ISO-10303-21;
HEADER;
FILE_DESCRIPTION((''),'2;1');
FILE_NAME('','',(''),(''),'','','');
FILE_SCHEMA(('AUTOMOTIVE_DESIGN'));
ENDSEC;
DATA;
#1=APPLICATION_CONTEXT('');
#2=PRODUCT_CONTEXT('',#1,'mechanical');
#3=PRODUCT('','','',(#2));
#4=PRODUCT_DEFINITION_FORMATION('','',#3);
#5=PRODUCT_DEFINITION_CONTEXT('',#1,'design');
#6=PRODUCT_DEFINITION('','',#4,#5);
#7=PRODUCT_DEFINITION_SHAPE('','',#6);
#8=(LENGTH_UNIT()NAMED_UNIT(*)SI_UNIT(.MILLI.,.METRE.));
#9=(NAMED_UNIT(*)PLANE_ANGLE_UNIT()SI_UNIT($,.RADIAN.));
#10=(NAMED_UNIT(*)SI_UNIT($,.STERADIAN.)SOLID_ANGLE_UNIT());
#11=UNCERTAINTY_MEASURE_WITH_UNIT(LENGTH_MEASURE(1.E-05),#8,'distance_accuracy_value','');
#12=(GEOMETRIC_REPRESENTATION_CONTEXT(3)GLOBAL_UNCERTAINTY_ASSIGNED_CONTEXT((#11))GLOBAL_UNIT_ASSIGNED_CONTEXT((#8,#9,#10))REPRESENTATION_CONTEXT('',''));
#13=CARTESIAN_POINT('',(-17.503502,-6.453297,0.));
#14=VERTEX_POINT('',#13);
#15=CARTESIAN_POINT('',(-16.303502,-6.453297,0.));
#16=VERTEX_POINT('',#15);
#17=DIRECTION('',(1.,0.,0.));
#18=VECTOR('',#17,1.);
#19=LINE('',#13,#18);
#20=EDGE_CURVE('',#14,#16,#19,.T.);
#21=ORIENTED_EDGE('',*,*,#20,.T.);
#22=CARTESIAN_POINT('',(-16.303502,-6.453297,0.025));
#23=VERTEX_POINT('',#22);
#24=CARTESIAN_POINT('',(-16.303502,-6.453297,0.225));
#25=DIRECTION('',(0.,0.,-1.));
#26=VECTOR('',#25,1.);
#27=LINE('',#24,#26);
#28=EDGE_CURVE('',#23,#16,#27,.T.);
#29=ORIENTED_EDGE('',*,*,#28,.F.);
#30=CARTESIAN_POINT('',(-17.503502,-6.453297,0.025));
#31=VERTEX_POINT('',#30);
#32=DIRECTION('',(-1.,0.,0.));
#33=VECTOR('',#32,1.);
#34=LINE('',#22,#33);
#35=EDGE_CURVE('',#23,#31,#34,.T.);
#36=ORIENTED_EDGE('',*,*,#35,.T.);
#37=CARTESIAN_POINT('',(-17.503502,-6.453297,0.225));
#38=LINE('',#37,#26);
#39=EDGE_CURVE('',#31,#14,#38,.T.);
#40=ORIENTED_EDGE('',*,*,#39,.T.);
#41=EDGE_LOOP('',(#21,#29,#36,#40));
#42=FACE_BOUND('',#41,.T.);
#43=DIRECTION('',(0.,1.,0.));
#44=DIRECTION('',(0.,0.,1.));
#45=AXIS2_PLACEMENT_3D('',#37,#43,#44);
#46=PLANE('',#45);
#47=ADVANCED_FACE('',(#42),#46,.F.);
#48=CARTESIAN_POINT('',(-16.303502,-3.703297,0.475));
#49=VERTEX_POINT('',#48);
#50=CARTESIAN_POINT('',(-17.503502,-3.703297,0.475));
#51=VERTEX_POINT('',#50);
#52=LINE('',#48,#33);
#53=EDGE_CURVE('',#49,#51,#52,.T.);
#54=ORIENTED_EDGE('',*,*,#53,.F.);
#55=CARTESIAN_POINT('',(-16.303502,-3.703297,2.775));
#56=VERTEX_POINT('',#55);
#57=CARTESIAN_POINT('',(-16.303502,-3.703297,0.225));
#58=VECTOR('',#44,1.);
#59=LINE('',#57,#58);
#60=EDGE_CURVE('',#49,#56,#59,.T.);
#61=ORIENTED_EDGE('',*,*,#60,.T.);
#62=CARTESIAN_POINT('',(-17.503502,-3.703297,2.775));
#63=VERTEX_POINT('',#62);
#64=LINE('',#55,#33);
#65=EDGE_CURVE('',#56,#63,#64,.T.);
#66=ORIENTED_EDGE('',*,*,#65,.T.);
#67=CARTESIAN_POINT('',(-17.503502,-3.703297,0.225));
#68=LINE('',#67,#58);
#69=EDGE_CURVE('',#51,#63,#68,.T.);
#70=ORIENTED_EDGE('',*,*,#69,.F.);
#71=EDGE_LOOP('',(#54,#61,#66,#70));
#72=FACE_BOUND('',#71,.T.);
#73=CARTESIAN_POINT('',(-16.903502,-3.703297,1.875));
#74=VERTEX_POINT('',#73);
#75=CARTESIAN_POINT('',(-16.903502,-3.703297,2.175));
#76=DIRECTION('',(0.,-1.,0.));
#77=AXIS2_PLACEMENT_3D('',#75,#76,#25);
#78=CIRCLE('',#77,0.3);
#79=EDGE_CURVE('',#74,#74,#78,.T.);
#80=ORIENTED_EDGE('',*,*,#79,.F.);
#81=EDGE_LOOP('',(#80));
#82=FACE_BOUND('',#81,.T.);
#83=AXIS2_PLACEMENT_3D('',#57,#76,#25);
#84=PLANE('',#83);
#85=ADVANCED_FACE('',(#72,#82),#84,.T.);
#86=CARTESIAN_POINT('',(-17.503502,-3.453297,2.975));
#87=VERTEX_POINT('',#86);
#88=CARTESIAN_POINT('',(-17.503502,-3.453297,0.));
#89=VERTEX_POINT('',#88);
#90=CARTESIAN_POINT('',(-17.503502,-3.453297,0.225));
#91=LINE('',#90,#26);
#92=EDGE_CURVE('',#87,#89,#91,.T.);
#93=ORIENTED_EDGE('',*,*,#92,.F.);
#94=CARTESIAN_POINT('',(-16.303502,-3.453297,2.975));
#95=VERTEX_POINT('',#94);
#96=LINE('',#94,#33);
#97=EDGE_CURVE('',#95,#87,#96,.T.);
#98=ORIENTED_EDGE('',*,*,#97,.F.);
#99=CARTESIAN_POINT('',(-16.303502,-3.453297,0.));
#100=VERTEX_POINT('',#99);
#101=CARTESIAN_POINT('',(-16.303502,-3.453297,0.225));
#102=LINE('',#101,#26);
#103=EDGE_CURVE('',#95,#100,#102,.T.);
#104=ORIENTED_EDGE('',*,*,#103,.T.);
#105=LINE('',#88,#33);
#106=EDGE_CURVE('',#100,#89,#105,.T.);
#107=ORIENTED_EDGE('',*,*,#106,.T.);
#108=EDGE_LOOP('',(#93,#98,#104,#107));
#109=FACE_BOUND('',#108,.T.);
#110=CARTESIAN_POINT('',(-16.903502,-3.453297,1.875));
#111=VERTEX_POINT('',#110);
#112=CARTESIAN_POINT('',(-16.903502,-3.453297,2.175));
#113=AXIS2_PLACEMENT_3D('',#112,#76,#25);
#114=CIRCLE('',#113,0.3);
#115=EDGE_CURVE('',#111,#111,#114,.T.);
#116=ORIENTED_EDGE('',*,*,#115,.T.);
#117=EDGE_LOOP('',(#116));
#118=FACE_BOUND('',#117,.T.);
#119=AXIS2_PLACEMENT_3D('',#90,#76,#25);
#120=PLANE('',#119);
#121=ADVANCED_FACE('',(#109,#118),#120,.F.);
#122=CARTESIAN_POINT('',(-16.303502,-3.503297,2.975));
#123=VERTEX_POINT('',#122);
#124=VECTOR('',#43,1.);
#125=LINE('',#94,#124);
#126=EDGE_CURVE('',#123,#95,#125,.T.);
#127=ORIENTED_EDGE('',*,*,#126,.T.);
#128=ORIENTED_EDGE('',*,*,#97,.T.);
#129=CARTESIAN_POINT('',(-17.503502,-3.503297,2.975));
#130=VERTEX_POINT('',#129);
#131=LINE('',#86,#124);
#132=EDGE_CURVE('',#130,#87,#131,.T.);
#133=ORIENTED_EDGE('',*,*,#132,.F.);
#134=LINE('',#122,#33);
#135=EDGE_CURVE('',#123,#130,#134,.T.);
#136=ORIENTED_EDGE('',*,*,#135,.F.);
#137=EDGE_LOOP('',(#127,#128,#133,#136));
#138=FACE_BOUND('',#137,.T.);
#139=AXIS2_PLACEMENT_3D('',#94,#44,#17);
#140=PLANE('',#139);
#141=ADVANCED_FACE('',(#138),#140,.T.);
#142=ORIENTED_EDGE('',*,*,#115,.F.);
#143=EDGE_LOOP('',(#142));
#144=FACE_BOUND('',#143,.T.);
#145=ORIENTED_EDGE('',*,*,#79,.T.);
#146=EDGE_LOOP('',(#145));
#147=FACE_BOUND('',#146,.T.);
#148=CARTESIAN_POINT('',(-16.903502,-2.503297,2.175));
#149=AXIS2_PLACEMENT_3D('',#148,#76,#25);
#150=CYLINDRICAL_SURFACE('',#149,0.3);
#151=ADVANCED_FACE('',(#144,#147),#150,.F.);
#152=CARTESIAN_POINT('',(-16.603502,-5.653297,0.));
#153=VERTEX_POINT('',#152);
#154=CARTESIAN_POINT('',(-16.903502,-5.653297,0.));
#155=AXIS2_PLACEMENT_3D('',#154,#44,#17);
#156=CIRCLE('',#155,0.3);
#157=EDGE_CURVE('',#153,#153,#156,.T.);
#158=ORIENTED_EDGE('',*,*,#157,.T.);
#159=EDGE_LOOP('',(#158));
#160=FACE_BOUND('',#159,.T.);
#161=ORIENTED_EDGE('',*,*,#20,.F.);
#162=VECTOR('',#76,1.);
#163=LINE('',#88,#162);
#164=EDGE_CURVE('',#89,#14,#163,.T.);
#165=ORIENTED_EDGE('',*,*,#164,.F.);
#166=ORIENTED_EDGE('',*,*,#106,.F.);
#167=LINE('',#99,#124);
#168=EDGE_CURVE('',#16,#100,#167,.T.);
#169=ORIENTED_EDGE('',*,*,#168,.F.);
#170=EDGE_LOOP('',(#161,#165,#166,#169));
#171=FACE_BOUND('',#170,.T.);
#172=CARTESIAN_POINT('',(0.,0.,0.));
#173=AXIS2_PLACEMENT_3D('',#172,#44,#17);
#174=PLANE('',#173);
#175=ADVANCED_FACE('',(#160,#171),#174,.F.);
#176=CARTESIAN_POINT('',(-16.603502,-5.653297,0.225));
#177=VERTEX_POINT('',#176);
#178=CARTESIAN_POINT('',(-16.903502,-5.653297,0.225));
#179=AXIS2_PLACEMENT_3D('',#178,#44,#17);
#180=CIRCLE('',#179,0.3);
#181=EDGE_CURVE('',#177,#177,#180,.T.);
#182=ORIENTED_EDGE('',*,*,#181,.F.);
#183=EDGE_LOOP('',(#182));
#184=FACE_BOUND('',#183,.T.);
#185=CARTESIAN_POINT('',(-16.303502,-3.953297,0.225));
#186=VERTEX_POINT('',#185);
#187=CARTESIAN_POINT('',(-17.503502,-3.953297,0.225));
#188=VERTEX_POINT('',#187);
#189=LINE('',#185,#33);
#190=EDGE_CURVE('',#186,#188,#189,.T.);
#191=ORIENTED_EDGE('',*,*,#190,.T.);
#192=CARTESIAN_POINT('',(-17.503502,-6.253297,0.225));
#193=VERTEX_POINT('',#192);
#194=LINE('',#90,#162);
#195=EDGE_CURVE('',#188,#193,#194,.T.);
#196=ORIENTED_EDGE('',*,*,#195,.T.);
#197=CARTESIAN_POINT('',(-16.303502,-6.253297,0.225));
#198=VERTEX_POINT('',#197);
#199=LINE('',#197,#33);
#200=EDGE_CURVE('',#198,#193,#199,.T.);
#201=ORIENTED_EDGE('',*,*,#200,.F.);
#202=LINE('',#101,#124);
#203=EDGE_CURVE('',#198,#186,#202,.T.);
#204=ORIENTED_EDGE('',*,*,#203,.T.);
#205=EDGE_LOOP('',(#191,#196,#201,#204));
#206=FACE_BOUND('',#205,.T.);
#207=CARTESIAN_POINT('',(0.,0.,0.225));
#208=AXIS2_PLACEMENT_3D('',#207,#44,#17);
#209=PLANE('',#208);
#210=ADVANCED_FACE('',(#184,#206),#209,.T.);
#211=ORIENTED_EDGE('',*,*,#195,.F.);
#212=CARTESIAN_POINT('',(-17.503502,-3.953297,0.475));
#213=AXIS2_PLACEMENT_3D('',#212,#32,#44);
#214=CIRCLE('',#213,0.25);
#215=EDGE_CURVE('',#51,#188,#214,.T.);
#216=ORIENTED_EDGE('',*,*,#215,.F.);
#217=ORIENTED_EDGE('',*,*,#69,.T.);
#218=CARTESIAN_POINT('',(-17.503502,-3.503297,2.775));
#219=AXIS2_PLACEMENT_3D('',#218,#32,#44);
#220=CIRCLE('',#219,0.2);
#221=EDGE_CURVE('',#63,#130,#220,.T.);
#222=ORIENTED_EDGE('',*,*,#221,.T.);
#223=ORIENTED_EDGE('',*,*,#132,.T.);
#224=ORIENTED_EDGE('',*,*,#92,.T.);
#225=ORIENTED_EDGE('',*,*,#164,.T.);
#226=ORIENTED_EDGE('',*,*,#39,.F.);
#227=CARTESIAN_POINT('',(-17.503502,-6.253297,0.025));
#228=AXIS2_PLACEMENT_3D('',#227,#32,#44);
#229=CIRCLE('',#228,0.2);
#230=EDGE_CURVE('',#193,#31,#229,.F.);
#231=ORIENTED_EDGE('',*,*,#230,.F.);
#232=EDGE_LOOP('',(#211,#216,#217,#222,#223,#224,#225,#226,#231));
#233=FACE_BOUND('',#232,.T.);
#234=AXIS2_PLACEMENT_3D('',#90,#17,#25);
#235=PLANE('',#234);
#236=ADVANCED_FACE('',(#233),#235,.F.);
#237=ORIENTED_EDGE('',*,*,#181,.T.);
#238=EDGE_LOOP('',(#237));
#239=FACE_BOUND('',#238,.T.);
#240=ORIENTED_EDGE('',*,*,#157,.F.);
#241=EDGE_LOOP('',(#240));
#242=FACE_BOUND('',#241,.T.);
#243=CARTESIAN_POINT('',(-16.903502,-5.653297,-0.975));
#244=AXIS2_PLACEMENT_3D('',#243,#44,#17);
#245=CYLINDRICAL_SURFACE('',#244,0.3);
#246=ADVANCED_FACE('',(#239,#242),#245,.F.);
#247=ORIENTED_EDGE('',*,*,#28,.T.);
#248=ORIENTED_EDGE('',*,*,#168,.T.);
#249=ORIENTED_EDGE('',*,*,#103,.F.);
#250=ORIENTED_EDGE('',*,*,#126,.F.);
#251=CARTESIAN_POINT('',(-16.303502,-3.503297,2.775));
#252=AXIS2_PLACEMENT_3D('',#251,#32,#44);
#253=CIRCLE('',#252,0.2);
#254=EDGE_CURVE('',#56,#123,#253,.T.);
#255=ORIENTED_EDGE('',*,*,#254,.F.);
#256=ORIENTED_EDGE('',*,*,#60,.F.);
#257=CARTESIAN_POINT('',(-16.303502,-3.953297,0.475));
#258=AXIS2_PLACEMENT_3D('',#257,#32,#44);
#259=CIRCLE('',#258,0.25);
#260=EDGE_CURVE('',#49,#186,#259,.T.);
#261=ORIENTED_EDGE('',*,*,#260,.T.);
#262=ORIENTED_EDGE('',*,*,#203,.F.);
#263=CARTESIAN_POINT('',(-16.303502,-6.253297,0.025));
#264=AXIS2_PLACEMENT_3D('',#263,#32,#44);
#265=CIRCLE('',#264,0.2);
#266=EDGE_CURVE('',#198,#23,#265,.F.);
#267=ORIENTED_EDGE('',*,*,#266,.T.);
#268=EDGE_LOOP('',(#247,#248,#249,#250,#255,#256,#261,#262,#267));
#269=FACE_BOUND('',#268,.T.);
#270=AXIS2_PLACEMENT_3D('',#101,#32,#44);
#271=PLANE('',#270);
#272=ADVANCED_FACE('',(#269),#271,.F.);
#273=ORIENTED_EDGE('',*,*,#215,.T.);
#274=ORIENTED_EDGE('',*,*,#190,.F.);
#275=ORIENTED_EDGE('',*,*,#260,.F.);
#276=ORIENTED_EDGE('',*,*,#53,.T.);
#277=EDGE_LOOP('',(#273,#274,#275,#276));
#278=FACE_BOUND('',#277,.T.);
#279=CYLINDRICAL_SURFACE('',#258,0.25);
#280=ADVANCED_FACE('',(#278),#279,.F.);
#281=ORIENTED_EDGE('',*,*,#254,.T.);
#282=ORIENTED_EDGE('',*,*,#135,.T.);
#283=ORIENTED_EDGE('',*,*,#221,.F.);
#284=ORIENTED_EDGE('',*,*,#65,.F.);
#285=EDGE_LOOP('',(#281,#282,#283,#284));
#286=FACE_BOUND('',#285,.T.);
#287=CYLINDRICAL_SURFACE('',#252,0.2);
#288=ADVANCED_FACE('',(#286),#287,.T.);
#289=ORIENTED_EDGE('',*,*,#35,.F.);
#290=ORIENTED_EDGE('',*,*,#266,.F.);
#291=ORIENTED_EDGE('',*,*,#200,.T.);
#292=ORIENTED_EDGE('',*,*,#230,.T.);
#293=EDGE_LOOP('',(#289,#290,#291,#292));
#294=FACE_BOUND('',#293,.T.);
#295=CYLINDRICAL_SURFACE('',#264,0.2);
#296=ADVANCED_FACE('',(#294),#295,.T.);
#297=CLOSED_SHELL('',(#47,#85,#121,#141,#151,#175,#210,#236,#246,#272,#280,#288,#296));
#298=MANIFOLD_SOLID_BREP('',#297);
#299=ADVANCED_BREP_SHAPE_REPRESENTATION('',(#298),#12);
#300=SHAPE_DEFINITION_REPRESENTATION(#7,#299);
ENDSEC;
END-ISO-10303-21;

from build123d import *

# Parameters (mm, degrees)
ESBO_O1_W                = 1.2
ESBO_O1_H                = 3
RESSALTO_EXTRUS_O1_DEPTH = 0.225
ESBO_O2_W                = 2.75
ESBO_O2_H                = 0.25
RESSALTO_EXTRUS_O2_DEPTH = 1.2
RESSALTO_EXTRUS_O3_DEPTH = 1.2
CORTE_EXTRUS_O1_DEPTH    = 1.2
ESBO_O8_R                = 0.3
CORTE_EXTRUS_O2_DEPTH    = 1.2
ESBO_O9_R                = 0.3
CORTE_EXTRUS_O3_DEPTH    = 1.2


with BuildPart() as part:
    # Esboço1 → Ressalto-extrusão1 (new body)
    with BuildSketch(Plane.XY):
        with Locations((-16.903502085, -4.953296555)):
            Rectangle(ESBO_O1_W, ESBO_O1_H)
    extrude(amount=RESSALTO_EXTRUS_O1_DEPTH)

    # Esboço2 → Ressalto-extrusão2 (add)
    with BuildSketch(Plane.ZY.offset(17.503502085)):
        with Locations((1.6, -3.578296555)):
            Rectangle(ESBO_O2_W, ESBO_O2_H)
    extrude(amount=-RESSALTO_EXTRUS_O2_DEPTH)

    # Esboço6 → Ressalto-extrusão3 (add)
    with BuildSketch(Plane.ZY.offset(17.503502085)):
        with BuildLine():
            Line((0.225, -3.703296555), (0.225, -3.953296555))
            ThreePointArc((0.225, -3.953296555), (0.298223305, -3.776519859), (0.475, -3.703296555))
            Line((0.475, -3.703296555), (0.225, -3.703296555))
        make_face()
    extrude(amount=-RESSALTO_EXTRUS_O3_DEPTH)

    # Esboço7 → Corte-extrusão1 (cut)
    with BuildSketch(Plane.ZY.offset(17.503502085)):
        with BuildLine():
            Line((2.975, -3.703296555), (2.975, -3.503296555))
            ThreePointArc((2.975, -3.503296555), (2.916421356, -3.644717911), (2.775, -3.703296555))
            Line((2.775, -3.703296555), (2.975, -3.703296555))
        make_face()
        with BuildLine():
            ThreePointArc((0.225, -6.253296555), (0.166421356, -6.394717911), (0.025, -6.453296555))
            Line((0.025, -6.453296555), (0.225, -6.453296555))
            Line((0.225, -6.453296555), (0.225, -6.253296555))
        make_face()
    extrude(amount=-CORTE_EXTRUS_O1_DEPTH, mode=Mode.SUBTRACT)

    # Esboço8 → Corte-extrusão2 (cut)
    with BuildSketch(Plane.XY.offset(0.225)):
        with Locations((-16.903502085, -5.653296555)):
            Circle(ESBO_O8_R)
    extrude(amount=-CORTE_EXTRUS_O2_DEPTH, mode=Mode.SUBTRACT)

    # Esboço9 → Corte-extrusão3 (cut)
    with BuildSketch(Plane.XZ.offset(3.703296555)):
        with Locations(Location((-16.903502085, 2.175, 0), (0, 0, 270))):
            Circle(ESBO_O9_R)
    extrude(amount=-CORTE_EXTRUS_O3_DEPTH, mode=Mode.SUBTRACT)


solid = part.part
